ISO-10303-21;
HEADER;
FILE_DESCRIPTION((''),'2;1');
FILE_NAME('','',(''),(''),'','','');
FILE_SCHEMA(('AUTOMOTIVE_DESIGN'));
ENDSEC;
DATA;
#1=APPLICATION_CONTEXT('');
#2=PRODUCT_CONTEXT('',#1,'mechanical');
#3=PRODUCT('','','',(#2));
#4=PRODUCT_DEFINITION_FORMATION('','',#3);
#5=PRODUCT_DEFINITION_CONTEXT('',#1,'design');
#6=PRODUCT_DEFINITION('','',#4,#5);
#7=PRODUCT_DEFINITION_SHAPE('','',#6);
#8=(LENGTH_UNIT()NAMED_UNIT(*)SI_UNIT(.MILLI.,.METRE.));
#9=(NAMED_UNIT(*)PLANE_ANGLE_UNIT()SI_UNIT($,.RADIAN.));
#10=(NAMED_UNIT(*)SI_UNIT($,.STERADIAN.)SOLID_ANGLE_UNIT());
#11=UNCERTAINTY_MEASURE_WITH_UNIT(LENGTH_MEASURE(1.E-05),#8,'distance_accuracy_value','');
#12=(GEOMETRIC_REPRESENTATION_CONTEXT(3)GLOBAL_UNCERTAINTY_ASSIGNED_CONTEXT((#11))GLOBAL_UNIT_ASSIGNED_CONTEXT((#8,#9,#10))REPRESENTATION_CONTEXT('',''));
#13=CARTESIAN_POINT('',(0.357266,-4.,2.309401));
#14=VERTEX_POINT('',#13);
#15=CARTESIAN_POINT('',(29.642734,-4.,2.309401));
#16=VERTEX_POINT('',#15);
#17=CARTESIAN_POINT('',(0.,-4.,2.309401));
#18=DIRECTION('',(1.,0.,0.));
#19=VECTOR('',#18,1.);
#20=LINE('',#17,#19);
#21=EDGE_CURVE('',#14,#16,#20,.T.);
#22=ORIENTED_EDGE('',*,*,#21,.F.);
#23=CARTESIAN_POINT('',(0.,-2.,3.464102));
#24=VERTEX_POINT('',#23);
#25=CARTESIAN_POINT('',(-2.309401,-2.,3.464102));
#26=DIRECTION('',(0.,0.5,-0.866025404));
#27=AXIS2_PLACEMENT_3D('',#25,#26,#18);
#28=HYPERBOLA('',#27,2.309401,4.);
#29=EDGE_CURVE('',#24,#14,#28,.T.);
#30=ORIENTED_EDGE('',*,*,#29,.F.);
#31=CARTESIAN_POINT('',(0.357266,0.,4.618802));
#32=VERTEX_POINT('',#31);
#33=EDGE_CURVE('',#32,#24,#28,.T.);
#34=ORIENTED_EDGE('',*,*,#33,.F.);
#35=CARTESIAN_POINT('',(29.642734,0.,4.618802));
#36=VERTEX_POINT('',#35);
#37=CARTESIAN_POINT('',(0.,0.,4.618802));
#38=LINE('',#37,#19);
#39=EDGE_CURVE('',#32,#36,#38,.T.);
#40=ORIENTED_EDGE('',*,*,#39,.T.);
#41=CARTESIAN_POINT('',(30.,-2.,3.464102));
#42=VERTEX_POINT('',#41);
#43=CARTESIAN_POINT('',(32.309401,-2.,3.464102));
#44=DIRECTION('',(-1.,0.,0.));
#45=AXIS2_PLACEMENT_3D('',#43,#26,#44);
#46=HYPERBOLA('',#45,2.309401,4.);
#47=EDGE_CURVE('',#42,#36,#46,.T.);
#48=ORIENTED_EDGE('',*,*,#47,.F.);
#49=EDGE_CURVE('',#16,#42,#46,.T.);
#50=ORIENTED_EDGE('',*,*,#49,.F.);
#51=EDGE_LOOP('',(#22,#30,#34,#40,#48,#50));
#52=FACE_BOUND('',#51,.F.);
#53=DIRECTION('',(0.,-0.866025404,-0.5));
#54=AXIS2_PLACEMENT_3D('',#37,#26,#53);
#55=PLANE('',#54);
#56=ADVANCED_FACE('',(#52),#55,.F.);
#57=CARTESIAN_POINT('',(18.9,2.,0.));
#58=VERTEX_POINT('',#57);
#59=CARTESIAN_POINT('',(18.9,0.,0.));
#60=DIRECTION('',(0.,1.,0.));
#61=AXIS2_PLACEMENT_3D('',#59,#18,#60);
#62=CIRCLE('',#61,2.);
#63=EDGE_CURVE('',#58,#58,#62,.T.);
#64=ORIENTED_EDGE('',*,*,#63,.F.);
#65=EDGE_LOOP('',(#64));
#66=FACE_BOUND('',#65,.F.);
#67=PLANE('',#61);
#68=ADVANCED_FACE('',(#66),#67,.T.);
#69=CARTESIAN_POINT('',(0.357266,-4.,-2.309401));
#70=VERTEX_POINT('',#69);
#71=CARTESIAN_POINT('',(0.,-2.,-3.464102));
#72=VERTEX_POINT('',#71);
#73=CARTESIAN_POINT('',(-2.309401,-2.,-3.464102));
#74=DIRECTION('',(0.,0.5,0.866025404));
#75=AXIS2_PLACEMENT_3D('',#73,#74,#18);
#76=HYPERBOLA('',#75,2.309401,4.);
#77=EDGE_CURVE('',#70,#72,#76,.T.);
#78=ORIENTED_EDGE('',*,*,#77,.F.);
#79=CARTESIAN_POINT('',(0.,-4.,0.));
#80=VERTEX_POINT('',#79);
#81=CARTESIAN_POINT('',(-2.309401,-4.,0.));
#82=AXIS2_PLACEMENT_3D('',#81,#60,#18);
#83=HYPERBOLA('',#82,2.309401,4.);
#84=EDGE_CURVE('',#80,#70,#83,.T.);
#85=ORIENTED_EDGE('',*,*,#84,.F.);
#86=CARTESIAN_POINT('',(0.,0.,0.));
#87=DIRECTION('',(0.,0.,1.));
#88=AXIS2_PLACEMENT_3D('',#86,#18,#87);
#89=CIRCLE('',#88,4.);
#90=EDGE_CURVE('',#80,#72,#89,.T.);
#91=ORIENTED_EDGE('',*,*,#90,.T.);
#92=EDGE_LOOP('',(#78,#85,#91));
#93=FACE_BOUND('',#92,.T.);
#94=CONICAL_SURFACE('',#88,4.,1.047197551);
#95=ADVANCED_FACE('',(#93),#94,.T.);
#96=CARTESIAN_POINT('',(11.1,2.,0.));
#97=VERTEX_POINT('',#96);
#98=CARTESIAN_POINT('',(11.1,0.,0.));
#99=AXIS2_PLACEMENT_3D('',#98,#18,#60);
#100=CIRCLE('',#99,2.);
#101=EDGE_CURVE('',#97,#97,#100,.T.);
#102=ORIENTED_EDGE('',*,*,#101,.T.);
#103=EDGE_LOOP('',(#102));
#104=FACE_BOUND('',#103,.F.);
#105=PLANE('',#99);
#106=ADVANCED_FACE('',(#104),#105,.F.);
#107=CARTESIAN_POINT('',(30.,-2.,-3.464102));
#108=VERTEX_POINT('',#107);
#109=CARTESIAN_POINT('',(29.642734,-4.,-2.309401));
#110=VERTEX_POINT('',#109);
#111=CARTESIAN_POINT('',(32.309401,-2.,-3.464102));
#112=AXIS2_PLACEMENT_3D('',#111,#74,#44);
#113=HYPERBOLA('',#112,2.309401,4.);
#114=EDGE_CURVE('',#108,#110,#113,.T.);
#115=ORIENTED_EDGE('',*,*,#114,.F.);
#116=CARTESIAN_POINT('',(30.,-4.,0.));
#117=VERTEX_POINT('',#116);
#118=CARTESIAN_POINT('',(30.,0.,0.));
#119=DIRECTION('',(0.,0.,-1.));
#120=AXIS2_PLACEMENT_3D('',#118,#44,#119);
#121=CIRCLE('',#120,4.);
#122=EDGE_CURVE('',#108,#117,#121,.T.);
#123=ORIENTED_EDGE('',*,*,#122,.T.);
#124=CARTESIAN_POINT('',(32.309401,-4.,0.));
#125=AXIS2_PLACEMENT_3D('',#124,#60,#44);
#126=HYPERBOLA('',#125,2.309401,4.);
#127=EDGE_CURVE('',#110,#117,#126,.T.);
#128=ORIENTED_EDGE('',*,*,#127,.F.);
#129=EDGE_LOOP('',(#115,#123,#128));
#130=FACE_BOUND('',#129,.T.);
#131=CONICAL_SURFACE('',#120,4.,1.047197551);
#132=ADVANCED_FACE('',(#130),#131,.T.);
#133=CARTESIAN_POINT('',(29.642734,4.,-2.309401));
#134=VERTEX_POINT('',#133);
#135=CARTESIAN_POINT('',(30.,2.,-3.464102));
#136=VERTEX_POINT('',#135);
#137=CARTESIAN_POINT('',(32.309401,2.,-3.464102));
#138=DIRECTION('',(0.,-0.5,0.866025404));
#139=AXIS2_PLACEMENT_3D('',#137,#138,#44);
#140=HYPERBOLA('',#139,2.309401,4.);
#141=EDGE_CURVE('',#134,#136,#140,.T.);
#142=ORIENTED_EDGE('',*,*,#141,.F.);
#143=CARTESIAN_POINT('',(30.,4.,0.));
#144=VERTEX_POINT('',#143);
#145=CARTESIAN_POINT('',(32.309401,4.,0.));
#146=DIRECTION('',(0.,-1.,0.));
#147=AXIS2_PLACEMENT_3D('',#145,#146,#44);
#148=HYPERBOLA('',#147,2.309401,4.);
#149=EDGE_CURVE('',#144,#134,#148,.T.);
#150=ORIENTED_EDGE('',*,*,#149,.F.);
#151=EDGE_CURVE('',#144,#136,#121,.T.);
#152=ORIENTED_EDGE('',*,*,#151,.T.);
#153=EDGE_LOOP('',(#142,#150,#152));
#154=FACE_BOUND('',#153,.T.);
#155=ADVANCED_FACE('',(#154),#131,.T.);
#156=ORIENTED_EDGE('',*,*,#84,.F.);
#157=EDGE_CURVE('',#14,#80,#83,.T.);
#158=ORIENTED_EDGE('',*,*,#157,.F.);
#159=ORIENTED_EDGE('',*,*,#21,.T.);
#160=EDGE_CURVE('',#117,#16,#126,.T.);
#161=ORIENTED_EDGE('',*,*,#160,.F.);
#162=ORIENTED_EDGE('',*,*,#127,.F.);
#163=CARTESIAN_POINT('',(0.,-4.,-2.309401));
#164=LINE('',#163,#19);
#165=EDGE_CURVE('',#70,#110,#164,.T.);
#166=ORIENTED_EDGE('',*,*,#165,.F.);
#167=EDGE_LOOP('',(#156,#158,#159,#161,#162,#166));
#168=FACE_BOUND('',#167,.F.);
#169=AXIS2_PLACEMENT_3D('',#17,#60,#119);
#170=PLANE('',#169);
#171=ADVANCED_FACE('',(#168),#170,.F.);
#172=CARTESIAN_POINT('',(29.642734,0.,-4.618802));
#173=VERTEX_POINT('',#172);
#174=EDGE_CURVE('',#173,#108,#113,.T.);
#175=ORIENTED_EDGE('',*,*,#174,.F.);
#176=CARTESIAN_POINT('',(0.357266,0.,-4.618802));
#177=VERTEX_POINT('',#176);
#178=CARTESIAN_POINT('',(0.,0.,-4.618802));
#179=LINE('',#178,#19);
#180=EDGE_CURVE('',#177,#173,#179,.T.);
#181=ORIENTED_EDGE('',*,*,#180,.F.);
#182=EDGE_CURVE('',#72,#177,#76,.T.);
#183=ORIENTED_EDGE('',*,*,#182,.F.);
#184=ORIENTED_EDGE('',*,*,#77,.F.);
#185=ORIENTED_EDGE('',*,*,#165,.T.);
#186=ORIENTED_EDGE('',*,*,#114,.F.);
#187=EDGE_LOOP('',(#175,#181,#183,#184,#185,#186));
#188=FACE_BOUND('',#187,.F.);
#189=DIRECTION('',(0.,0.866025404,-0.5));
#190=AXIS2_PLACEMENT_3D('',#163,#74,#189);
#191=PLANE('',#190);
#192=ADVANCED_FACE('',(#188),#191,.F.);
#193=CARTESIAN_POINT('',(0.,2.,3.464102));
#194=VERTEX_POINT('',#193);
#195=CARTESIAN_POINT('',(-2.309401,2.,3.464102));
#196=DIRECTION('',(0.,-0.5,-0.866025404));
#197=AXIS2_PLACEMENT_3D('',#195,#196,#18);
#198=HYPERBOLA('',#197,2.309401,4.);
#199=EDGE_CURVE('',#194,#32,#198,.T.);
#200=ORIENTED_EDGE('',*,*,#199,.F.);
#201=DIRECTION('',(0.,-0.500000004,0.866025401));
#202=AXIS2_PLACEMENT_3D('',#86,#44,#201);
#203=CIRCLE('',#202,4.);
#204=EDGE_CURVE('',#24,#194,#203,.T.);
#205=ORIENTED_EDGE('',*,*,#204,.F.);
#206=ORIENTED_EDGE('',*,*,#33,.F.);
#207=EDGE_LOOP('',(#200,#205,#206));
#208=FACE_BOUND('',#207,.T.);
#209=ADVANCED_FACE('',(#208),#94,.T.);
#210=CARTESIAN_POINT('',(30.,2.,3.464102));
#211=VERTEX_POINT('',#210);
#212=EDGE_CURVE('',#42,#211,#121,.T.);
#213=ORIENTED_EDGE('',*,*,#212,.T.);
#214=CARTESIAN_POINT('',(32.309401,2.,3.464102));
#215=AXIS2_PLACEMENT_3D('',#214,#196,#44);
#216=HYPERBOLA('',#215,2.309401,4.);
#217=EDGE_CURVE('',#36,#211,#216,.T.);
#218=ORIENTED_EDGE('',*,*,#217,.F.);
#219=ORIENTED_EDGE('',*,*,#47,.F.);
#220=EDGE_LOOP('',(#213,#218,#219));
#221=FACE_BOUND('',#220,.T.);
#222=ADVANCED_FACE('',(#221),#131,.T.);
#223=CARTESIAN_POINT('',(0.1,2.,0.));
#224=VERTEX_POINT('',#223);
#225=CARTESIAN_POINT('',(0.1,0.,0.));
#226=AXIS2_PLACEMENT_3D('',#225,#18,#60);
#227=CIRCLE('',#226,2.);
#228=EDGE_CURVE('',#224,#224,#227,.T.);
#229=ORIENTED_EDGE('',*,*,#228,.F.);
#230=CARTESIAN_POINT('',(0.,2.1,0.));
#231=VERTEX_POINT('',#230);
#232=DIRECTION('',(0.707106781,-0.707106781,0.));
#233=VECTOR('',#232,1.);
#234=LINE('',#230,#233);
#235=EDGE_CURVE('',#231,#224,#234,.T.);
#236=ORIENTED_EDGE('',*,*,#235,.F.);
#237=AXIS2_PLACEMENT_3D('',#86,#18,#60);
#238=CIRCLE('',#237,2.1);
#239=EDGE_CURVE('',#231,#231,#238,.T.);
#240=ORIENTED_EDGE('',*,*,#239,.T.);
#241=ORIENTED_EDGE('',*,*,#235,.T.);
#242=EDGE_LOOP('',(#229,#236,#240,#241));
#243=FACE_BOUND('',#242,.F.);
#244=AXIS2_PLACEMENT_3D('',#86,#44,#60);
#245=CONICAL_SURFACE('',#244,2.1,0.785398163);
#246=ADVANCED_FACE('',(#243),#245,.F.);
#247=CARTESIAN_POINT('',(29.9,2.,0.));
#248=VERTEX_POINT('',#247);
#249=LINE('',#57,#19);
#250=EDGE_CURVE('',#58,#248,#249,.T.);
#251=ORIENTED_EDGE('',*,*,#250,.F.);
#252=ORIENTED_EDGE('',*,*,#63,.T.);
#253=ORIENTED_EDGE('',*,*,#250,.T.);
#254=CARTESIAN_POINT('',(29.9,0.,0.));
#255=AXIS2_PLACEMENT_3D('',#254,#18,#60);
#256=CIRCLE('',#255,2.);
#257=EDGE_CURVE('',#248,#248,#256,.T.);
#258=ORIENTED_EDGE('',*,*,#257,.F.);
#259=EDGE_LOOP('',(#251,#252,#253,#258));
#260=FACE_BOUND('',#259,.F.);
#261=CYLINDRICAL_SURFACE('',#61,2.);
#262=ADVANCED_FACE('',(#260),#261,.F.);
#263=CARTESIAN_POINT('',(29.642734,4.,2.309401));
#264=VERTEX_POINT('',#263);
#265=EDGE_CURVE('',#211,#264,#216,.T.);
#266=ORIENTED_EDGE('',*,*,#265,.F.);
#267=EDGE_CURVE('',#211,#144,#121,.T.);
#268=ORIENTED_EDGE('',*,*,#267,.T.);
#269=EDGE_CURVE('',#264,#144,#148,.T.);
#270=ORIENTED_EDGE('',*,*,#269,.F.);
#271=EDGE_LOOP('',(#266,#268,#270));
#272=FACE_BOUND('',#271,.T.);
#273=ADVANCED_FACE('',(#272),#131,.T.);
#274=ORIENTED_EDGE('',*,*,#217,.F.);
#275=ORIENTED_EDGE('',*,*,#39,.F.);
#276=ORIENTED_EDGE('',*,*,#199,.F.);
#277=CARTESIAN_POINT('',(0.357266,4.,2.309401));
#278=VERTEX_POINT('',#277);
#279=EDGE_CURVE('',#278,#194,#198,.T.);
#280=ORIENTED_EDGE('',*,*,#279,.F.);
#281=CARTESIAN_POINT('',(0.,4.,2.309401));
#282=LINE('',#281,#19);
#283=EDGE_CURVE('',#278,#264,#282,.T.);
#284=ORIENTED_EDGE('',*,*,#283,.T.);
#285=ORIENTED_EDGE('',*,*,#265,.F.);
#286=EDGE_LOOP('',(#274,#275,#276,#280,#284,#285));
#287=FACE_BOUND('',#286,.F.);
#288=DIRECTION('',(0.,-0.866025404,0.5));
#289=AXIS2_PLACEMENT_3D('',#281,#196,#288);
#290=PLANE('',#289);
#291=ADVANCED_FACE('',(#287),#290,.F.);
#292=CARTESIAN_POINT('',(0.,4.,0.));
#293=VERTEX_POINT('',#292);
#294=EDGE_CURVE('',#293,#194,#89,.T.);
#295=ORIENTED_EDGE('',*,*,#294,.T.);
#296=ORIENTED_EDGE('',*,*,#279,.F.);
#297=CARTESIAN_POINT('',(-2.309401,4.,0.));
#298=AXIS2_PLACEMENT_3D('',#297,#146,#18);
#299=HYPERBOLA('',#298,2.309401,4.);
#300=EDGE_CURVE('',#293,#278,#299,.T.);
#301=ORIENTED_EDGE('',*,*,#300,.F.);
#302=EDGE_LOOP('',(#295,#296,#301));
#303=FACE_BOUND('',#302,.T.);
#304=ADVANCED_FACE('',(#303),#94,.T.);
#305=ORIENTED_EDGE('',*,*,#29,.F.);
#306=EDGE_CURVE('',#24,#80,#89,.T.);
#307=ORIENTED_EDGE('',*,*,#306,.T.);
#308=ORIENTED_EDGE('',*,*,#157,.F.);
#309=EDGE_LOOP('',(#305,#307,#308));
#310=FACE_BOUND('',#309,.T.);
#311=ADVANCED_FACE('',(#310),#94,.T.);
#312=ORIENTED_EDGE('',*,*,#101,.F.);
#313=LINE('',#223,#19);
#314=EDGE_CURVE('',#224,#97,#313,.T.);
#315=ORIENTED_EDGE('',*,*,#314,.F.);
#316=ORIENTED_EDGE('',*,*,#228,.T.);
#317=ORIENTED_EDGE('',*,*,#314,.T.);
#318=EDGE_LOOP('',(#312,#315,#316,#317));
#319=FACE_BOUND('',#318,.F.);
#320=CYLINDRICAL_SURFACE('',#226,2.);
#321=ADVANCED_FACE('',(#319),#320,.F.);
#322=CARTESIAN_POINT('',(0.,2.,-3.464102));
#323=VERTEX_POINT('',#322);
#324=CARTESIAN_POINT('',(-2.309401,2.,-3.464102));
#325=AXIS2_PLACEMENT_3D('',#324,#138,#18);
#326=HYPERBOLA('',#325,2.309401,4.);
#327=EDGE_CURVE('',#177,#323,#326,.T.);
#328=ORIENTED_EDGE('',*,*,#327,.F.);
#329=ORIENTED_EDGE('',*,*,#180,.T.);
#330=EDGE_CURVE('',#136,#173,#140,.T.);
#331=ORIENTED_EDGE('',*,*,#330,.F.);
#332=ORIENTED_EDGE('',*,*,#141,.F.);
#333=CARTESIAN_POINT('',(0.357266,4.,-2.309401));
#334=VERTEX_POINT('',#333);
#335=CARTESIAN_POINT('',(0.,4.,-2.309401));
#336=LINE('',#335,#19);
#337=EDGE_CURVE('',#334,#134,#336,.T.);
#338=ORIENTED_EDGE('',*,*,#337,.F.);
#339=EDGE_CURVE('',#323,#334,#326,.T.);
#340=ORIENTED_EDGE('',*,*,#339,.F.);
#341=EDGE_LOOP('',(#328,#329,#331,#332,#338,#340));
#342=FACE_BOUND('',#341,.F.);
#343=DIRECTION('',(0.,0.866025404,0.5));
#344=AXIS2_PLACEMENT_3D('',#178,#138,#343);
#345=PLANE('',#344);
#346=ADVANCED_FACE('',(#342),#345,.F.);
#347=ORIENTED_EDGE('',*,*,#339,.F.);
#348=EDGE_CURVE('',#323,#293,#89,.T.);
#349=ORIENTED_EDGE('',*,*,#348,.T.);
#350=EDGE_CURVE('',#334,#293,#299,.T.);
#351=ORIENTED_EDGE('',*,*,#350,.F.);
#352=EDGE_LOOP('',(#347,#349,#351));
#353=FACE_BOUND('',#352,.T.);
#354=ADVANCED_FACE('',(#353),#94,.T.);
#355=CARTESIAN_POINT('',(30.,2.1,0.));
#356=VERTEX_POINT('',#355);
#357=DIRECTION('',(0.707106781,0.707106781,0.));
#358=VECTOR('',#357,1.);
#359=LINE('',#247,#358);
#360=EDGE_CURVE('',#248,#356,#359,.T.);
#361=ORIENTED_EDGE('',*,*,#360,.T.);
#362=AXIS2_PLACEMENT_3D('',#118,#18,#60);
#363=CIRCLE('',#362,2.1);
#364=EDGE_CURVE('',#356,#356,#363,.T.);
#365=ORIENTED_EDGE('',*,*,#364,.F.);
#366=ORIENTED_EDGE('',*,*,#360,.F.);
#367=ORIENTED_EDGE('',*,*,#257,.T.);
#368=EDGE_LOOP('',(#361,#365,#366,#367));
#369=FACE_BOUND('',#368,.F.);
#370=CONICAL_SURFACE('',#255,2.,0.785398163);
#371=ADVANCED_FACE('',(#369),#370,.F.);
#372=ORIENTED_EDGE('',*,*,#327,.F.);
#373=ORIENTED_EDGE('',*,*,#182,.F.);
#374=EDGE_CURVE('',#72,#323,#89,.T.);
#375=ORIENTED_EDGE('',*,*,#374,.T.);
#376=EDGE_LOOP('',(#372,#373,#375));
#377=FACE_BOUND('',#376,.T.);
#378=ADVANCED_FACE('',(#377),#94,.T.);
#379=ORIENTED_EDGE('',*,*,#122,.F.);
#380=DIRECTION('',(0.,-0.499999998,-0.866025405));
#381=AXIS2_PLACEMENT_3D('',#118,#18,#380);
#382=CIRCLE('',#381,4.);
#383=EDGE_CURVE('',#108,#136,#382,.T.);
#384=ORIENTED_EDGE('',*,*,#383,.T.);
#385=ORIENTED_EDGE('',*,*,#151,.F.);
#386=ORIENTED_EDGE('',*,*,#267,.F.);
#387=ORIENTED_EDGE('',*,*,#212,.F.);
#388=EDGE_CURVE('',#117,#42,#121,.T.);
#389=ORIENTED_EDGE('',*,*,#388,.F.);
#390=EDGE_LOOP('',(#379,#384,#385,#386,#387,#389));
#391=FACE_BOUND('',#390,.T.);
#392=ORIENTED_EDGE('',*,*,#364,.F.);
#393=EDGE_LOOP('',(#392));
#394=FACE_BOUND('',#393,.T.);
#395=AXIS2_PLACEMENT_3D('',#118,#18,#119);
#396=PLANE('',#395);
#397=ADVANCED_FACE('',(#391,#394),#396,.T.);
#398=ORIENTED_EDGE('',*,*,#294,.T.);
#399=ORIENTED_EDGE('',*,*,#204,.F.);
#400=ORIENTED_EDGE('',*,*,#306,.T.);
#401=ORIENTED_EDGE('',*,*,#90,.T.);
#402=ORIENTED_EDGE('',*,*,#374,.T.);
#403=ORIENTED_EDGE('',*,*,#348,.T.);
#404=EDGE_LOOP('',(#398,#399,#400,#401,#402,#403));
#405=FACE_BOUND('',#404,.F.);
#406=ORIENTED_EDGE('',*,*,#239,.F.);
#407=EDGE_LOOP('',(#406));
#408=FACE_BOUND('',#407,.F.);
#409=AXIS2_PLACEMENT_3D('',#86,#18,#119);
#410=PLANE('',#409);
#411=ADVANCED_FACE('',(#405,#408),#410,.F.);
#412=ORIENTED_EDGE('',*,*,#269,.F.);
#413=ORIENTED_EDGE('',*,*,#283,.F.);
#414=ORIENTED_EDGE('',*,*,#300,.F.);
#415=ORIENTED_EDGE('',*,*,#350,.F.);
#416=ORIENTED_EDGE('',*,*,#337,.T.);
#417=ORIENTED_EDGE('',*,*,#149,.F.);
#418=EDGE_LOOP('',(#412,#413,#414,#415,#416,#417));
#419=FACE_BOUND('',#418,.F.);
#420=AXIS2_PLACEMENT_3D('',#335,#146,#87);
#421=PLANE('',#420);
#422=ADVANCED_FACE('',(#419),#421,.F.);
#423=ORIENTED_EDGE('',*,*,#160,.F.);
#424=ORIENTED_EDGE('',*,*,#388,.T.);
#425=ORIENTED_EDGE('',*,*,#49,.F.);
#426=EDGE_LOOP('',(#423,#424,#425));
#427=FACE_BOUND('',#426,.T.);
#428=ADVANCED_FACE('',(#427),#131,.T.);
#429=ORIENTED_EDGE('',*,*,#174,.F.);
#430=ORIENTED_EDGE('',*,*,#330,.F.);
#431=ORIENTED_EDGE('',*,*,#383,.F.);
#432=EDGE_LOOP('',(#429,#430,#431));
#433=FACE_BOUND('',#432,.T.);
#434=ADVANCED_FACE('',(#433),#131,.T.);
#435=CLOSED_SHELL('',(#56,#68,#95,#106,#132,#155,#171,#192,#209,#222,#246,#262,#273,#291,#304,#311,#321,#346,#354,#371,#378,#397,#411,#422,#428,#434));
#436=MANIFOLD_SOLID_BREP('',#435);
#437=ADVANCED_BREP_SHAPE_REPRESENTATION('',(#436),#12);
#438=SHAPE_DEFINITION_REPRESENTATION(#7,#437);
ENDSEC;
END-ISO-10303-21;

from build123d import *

# Parameters (mm, degrees)
BOSS_EXTRUDE1_DEPTH = 30
SKETCH4_OUTSIDE_W   = 125.104
SKETCH4_OUTSIDE_H   = 123.866
SKETCH4_OUTSIDE_R   = 4
CUT_EXTRUDE1_DEPTH  = 31
CUT_EXTRUDE1_TAPER  = 60
SKETCH5_OUTSIDE_W   = 125.104
SKETCH5_OUTSIDE_H   = 123.866
SKETCH5_OUTSIDE_R   = 4
CUT_EXTRUDE2_DEPTH  = 31
CUT_EXTRUDE2_TAPER  = 60


with BuildPart() as part:
    # Sketch2 → Boss-Extrude1 (new body)
    with BuildSketch(Plane(origin=(0, 0, 0), x_dir=(0, 0, -1), z_dir=(1, 0, 0))):
        Polygon((2.309401077, 4), (-2.309401077, 4), (-4.618802154, 0), (-2.309401077, -4), (2.309401077, -4), (4.618802154, 0), align=None)
    extrude(amount=BOSS_EXTRUDE1_DEPTH)

    # Sketch3 → Cut-Revolve1 (revolve, cut)
    with BuildSketch(Plane.XY):
        Polygon((0, 2.1), (0.1, 2), (11.1, 2), (11.1, 0), (0, 0), align=None)
        Polygon((30, 0), (18.9, 0), (18.9, 2), (29.9, 2), (30, 2.1), align=None)
    revolve(axis=Axis((0, 0, 0), (1, 0, 0)), mode=Mode.SUBTRACT)

    # Sketch4 outside → Cut-Extrude1 (cut, through all)
    with BuildSketch(Plane.ZY):
        Rectangle(SKETCH4_OUTSIDE_W, SKETCH4_OUTSIDE_H)
        Circle(SKETCH4_OUTSIDE_R, mode=Mode.SUBTRACT)
    extrude(amount=-CUT_EXTRUDE1_DEPTH, taper=CUT_EXTRUDE1_TAPER, mode=Mode.SUBTRACT)

    # Sketch5 outside → Cut-Extrude2 (cut, through all)
    with BuildSketch(Plane(origin=(30, 0, 0), x_dir=(0, 0, -1), z_dir=(1, 0, 0))):
        Rectangle(SKETCH5_OUTSIDE_W, SKETCH5_OUTSIDE_H)
        Circle(SKETCH5_OUTSIDE_R, mode=Mode.SUBTRACT)
    extrude(amount=-CUT_EXTRUDE2_DEPTH, taper=CUT_EXTRUDE2_TAPER, mode=Mode.SUBTRACT)


solid = part.part
